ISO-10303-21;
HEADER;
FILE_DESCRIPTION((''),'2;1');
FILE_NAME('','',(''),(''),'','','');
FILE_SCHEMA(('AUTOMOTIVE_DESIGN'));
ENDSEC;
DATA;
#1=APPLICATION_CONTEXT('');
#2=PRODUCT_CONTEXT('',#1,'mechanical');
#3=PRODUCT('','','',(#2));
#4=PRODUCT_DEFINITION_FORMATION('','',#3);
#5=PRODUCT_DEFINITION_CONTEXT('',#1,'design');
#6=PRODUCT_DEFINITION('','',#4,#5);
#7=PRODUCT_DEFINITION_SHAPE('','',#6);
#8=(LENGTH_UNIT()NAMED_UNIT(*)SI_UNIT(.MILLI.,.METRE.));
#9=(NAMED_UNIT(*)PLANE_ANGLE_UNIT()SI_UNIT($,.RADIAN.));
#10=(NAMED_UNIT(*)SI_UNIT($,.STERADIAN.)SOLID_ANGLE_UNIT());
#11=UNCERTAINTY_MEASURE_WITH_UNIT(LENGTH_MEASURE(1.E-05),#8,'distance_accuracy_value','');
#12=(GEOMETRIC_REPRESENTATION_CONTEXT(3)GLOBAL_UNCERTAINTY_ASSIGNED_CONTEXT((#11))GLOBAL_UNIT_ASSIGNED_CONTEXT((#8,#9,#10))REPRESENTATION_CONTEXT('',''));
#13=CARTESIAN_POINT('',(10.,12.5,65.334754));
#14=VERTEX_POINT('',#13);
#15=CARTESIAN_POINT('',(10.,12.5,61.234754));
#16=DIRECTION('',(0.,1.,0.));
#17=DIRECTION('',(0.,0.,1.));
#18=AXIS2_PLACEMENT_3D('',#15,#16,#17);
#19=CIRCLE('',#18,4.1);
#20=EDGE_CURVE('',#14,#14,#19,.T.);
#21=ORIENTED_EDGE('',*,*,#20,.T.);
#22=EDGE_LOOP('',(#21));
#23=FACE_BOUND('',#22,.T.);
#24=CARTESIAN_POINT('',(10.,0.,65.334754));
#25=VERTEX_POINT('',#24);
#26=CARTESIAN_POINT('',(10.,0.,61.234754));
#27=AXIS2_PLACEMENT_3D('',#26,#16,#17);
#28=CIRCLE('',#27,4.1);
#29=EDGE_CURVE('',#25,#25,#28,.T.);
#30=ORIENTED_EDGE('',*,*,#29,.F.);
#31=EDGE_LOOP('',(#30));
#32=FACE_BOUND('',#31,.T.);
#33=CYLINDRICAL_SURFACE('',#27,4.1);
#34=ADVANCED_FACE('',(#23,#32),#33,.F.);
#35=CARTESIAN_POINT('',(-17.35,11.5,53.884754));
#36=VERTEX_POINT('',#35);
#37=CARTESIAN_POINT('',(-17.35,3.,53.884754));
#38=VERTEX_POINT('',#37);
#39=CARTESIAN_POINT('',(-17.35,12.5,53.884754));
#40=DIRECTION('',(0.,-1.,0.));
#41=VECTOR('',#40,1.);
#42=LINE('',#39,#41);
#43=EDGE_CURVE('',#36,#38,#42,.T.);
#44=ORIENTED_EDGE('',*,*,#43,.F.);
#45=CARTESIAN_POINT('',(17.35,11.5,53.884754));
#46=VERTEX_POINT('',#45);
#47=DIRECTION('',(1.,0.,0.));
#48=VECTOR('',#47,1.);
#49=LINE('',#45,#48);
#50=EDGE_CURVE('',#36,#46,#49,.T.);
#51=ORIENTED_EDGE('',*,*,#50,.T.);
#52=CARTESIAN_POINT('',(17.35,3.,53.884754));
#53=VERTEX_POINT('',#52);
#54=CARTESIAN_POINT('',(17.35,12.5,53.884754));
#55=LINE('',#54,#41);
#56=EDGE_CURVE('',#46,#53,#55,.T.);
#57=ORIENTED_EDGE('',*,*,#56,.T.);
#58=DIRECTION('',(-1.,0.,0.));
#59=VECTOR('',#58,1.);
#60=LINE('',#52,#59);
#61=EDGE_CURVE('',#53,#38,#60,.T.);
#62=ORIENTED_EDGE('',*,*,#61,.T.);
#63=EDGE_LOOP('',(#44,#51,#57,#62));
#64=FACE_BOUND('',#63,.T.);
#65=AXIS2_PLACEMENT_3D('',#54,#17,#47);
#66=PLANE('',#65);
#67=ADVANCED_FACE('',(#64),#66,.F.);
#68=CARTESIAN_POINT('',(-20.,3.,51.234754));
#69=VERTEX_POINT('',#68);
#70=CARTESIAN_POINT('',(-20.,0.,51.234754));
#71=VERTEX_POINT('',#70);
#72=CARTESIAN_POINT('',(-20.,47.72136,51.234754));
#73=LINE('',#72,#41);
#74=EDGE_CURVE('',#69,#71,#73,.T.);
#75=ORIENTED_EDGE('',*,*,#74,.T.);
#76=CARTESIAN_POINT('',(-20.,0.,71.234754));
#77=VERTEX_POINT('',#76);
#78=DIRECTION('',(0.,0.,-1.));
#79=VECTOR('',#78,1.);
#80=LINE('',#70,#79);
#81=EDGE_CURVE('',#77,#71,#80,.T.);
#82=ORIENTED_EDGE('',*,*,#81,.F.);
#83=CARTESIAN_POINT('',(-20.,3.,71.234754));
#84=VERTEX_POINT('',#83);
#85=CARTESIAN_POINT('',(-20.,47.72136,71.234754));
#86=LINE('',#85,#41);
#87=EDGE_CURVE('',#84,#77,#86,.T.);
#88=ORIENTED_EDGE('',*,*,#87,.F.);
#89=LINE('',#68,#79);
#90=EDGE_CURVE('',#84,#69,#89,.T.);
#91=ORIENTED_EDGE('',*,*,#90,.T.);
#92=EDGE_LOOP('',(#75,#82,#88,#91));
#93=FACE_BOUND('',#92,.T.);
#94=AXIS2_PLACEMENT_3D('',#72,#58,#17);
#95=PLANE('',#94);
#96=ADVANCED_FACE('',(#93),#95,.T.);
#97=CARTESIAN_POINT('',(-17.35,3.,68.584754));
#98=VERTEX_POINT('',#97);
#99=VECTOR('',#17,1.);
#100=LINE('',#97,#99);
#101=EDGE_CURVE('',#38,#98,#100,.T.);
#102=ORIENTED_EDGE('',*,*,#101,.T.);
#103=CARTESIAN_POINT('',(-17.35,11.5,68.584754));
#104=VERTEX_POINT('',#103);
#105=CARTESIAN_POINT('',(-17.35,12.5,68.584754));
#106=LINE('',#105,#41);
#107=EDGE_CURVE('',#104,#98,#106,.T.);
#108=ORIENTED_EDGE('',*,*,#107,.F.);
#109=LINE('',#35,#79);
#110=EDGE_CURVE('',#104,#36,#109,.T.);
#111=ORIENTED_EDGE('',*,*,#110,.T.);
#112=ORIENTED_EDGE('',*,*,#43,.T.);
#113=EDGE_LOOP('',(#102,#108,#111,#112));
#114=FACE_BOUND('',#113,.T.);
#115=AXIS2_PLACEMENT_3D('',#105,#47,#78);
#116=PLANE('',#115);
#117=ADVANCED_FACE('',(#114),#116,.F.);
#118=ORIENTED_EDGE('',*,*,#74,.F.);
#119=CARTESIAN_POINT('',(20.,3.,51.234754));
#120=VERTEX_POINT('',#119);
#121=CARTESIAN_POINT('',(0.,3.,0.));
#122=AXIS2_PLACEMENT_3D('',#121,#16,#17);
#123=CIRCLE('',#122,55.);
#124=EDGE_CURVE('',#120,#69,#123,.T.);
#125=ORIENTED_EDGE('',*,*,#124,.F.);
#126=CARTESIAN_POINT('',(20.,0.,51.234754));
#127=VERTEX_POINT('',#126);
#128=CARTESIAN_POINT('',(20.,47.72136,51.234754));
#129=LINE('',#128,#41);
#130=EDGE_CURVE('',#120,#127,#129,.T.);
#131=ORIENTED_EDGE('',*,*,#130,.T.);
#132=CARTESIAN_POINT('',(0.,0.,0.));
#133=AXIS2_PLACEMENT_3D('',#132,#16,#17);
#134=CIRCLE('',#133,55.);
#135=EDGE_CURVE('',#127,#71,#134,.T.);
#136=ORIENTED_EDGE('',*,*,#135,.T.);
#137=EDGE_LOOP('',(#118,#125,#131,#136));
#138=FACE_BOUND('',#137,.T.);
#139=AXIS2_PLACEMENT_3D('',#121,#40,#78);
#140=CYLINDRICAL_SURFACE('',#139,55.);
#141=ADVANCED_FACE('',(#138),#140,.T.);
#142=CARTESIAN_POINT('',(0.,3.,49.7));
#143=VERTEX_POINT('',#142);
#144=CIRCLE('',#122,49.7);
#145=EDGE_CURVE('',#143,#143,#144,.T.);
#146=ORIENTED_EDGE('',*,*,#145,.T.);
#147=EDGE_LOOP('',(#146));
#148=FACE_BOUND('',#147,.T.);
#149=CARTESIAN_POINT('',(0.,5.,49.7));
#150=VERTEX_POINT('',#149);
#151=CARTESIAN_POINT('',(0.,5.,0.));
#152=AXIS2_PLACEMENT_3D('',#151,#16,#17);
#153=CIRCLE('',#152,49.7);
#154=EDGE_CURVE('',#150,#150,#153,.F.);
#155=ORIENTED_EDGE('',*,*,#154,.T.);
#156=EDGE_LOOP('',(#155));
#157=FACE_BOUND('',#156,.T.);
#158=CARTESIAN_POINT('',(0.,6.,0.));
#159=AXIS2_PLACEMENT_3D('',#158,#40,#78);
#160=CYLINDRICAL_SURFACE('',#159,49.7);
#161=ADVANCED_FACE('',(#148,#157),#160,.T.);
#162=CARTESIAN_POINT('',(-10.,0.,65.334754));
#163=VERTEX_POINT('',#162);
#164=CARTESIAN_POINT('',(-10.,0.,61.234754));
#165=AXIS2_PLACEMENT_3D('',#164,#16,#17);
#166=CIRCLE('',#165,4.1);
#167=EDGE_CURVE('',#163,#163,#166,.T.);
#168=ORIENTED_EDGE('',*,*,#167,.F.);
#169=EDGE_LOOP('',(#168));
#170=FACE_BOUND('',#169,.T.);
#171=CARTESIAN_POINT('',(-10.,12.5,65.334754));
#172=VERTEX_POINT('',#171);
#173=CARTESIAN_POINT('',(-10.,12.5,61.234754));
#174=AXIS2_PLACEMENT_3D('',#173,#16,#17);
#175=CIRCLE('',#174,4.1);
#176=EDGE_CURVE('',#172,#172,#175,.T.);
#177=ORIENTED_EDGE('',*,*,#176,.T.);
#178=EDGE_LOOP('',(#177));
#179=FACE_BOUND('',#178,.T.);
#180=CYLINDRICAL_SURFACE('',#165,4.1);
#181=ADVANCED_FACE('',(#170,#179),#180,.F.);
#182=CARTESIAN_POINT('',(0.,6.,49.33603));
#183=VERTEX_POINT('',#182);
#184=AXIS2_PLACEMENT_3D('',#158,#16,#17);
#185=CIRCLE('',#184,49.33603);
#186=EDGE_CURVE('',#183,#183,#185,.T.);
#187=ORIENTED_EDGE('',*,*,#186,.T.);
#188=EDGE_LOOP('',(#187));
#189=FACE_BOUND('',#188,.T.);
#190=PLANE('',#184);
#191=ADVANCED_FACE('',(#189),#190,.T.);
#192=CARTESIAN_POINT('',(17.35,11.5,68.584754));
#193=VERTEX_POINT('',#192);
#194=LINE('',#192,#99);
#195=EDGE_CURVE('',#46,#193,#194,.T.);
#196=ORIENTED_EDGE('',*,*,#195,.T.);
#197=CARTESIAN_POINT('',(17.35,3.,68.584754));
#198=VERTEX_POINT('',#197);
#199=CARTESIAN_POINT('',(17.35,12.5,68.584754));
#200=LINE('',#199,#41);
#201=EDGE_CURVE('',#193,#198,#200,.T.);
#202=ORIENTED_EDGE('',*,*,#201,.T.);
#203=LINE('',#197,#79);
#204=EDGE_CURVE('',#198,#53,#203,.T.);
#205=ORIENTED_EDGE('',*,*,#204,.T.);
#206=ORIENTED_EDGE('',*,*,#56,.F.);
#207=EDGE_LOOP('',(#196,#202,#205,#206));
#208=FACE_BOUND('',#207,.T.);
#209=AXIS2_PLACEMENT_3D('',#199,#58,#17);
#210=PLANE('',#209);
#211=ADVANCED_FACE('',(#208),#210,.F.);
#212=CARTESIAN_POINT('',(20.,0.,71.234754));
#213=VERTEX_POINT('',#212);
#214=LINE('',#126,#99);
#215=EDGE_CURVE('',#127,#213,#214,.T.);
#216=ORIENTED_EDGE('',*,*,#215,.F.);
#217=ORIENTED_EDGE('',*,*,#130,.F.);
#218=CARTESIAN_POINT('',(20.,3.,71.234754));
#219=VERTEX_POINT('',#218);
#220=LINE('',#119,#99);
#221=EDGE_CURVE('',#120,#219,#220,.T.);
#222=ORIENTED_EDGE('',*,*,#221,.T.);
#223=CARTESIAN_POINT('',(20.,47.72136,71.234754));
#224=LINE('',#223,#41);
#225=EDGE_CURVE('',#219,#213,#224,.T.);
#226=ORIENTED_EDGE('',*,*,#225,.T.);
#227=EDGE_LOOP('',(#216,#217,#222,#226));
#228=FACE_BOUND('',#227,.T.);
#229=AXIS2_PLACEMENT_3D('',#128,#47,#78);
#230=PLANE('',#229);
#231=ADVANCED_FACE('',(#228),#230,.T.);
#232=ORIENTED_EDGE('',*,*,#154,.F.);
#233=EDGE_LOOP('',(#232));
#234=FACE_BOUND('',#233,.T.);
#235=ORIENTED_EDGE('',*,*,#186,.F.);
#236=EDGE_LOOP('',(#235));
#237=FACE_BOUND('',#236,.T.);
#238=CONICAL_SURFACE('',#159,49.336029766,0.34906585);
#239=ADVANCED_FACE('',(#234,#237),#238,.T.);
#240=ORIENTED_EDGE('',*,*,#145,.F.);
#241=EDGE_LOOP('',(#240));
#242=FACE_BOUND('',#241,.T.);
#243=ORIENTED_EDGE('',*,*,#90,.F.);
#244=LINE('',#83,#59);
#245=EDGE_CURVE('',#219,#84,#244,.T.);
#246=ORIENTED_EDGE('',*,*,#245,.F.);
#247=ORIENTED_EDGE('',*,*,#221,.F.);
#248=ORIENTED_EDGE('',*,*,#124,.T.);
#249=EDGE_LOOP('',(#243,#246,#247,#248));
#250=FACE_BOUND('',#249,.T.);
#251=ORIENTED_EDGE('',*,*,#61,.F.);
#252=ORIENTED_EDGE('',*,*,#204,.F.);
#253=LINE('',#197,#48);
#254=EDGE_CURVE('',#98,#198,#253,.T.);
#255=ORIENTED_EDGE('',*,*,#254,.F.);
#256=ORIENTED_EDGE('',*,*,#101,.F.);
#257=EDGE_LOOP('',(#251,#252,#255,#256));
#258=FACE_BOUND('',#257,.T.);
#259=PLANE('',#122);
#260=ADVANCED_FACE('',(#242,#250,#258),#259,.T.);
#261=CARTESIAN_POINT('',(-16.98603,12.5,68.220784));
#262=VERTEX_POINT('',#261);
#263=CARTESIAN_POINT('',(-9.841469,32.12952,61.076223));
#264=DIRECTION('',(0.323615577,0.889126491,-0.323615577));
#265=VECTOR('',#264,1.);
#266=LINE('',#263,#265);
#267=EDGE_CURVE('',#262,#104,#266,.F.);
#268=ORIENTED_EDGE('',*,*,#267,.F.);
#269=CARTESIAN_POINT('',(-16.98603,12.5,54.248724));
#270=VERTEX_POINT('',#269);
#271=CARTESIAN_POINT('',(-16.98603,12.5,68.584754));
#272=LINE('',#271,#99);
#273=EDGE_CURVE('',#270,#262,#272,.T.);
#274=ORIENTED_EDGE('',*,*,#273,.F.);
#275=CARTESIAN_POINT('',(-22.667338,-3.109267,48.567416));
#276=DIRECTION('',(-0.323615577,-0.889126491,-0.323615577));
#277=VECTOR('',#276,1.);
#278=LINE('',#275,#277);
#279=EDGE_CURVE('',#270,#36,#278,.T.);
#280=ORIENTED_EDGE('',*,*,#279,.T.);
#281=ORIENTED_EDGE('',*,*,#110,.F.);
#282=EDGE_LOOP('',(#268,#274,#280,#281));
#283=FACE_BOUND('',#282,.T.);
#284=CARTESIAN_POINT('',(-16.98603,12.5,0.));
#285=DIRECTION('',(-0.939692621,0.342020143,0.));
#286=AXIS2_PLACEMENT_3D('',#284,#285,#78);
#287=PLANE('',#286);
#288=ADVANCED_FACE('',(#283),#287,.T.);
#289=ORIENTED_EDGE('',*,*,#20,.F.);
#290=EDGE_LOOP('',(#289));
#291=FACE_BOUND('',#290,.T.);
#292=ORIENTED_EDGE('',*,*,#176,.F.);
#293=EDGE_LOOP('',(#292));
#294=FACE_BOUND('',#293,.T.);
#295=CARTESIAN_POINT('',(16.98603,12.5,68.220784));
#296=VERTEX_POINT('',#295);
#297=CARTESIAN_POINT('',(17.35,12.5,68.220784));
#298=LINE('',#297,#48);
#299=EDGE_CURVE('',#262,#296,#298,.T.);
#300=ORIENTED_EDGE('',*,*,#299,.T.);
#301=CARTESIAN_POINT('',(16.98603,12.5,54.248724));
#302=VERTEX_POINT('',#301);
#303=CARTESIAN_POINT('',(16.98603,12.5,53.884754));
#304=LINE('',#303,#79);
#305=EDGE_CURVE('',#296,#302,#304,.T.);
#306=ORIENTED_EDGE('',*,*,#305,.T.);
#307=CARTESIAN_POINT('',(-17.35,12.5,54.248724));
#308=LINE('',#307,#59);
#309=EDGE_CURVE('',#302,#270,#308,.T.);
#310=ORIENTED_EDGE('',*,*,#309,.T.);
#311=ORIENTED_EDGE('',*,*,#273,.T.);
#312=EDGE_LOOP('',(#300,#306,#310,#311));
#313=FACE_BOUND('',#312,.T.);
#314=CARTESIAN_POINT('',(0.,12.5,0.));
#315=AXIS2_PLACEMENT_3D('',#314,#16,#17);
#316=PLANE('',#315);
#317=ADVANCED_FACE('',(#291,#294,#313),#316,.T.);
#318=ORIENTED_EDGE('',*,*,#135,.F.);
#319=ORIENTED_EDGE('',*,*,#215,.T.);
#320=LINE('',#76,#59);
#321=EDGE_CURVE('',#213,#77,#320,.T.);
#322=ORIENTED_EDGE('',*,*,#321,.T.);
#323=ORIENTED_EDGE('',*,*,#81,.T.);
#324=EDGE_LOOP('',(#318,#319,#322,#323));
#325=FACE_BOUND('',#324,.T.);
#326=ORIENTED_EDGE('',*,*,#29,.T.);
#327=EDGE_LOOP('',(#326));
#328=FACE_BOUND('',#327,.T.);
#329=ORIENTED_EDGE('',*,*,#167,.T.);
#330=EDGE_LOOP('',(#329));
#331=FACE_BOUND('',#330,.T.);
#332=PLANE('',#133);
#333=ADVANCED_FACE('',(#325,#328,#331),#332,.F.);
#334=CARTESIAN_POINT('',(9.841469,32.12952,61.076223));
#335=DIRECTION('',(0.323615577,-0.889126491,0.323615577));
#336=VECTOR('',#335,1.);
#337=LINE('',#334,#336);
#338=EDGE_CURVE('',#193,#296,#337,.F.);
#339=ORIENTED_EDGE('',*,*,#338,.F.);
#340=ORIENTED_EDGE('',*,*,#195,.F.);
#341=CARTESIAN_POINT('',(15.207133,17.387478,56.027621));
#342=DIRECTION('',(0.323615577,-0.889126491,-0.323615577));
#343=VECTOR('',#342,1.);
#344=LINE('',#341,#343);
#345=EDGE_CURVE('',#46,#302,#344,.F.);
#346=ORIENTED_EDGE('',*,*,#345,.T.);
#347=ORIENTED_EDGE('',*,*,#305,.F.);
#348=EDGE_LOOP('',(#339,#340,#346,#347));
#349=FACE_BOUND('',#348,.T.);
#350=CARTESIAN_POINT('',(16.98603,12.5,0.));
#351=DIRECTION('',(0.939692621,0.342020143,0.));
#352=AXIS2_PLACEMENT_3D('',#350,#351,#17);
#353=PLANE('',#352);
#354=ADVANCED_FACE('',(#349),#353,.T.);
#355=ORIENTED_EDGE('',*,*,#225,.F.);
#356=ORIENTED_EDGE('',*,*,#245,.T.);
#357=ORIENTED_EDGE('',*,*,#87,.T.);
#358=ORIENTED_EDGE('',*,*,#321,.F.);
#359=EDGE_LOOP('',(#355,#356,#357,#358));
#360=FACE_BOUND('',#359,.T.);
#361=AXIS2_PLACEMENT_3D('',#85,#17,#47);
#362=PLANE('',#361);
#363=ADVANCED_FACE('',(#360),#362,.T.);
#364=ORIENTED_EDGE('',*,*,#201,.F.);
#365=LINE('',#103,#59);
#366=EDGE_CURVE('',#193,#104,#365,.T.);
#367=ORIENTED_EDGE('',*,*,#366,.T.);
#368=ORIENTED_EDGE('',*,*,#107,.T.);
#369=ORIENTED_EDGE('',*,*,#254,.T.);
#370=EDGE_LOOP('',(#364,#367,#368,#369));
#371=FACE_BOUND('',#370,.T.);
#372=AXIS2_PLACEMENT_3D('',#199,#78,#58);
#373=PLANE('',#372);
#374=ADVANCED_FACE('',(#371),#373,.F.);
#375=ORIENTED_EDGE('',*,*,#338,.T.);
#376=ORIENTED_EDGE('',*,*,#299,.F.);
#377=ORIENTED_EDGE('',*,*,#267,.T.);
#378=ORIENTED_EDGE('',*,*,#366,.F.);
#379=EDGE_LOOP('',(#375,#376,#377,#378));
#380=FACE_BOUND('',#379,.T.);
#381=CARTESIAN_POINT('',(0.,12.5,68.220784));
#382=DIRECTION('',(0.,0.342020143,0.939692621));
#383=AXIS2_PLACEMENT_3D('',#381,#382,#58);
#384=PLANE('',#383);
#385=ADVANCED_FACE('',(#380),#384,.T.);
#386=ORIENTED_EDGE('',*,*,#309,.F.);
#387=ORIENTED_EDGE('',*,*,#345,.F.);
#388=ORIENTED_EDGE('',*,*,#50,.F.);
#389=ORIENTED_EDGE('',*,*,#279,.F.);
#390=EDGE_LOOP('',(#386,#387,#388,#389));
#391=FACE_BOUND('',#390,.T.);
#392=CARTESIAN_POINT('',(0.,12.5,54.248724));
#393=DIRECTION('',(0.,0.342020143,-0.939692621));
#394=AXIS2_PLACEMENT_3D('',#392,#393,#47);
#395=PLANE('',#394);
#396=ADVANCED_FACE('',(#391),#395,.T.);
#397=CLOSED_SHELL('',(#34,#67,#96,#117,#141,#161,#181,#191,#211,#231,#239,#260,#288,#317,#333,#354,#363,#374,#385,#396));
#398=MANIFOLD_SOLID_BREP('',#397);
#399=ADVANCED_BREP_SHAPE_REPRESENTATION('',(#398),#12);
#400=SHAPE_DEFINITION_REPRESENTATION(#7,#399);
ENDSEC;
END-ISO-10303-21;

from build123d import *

# Parameters (mm, degrees)
SKETCH1_R             = 55
BOSS_EXTRUDE1_DEPTH   = 3
SKETCH9_W             = 40
SKETCH9_H             = 20
BOSS_EXTRUDE4_DEPTH   = 3
SKETCH11_R            = 4.1
CUT_EXTRUDE6_DEPTH    = 4
SKETCH15_R            = 49.7
BOSS_EXTRUDE6_DEPTH   = 3
CHAMFER2_SIZE         = 1
CHAMFER2_SIZE2        = 0.363970234
SKETCH16_W            = 34.7
SKETCH16_H            = 14.7
SKETCH16_R            = 4.1
BOSS_EXTRUDE7_DEPTH   = 9.5
CHAMFER3_SIZE         = 1
CHAMFER3_SIZE2        = 0.363970234
CHAMFER3_PART_2_SIZE  = 1
CHAMFER3_PART_2_SIZE2 = 0.363970234
CHAMFER3_PART_3_SIZE  = 1
CHAMFER3_PART_3_SIZE2 = 0.363970234
CHAMFER3_PART_4_SIZE  = 1
CHAMFER3_PART_4_SIZE2 = 0.363970234


with BuildPart() as part:
    # Sketch1 → Boss-Extrude1 (new body)
    with BuildSketch(Plane(origin=(0, 0, 0), x_dir=(1, 0, 0), z_dir=(0, 1, 0))):
        with Locations(Location((0, 0, 0), (0, 0, 270))):  # turned: the seam where the file's is
            Circle(SKETCH1_R)
    extrude(amount=BOSS_EXTRUDE1_DEPTH)

    # Sketch9 → Boss-Extrude4 (add)
    with BuildSketch(Plane.XZ):
        with Locations((0, 61.23475383)):
            Rectangle(SKETCH9_W, SKETCH9_H)
    extrude(amount=-BOSS_EXTRUDE4_DEPTH)

    # Sketch11 → Cut-Extrude6 (cut, through all)
    with BuildSketch(Plane(origin=(0, 3, 0), x_dir=(1, 0, 0), z_dir=(0, 1, 0))):
        with Locations(Location((-10, -61.23475383, 0), (0, 0, 270))):  # turned: the seam where the file's is
            Circle(SKETCH11_R)
        with Locations(Location((10, -61.23475383, 0), (0, 0, 270))):  # turned: the seam where the file's is
            Circle(SKETCH11_R)
    extrude(amount=-CUT_EXTRUDE6_DEPTH, mode=Mode.SUBTRACT)

    # Sketch15 → Boss-Extrude6 (add)
    with BuildSketch(Plane(origin=(0, 3, 0), x_dir=(1, 0, 0), z_dir=(0, 1, 0))):
        with Locations(Location((0, 0, 0), (0, 0, 270))):  # turned: the seam where the file's is
            Circle(SKETCH15_R)
    extrude(amount=BOSS_EXTRUDE6_DEPTH)

    # Chamfer2
    chamfer2_edges = [part.edges().sort_by_distance(p)[0] for p in [
        (0, 6, -49.7),
    ]]
    chamfer2_side = [part.faces().sort_by_distance(p)[0] for p in [
        (0, 4.5, -49.7),
    ]]
    chamfer(chamfer2_edges, length=CHAMFER2_SIZE, length2=CHAMFER2_SIZE2, reference=chamfer2_side[0])

    # Sketch16 → Boss-Extrude7 (add)
    with BuildSketch(Plane(origin=(0, 3, 0), x_dir=(1, 0, 0), z_dir=(0, 1, 0))):
        with Locations((0, -61.23475383)):
            Rectangle(SKETCH16_W, SKETCH16_H)
        with Locations(Location((-10, -61.23475383, 0), (0, 0, 270))):  # turned: the seam where the file's is
            Circle(SKETCH16_R, mode=Mode.SUBTRACT)
        with Locations(Location((10, -61.23475383, 0), (0, 0, 270))):  # turned: the seam where the file's is
            Circle(SKETCH16_R, mode=Mode.SUBTRACT)
    extrude(amount=BOSS_EXTRUDE7_DEPTH)

    # Chamfer3
    chamfer3_edges = [part.edges().sort_by_distance(p)[0] for p in [
        (-17.35, 12.5, 61.23475383),
    ]]
    chamfer3_side = [part.faces().sort_by_distance(p)[0] for p in [
        (-17.35, 7.75, 61.23475383),
    ]]
    chamfer(chamfer3_edges, length=CHAMFER3_SIZE, length2=CHAMFER3_SIZE2, reference=chamfer3_side[0])

    # Chamfer3 part 2
    chamfer3_part_2_edges = [part.edges().sort_by_distance(p)[0] for p in [
        (0, 12.5, 68.58475383),
    ]]
    chamfer3_part_2_side = [part.faces().sort_by_distance(p)[0] for p in [
        (0, 7.75, 68.58475383),
    ]]
    chamfer(chamfer3_part_2_edges, length=CHAMFER3_PART_2_SIZE, length2=CHAMFER3_PART_2_SIZE2, reference=chamfer3_part_2_side[0])

    # Chamfer3 part 3
    chamfer3_part_3_edges = [part.edges().sort_by_distance(p)[0] for p in [
        (17.35, 12.5, 61.23475383),
    ]]
    chamfer3_part_3_side = [part.faces().sort_by_distance(p)[0] for p in [
        (17.35, 7.75, 61.23475383),
    ]]
    chamfer(chamfer3_part_3_edges, length=CHAMFER3_PART_3_SIZE, length2=CHAMFER3_PART_3_SIZE2, reference=chamfer3_part_3_side[0])

    # Chamfer3 part 4
    chamfer3_part_4_edges = [part.edges().sort_by_distance(p)[0] for p in [
        (0, 12.5, 53.88475383),
    ]]
    chamfer3_part_4_side = [part.faces().sort_by_distance(p)[0] for p in [
        (0, 7.75, 53.88475383),
    ]]
    chamfer(chamfer3_part_4_edges, length=CHAMFER3_PART_4_SIZE, length2=CHAMFER3_PART_4_SIZE2, reference=chamfer3_part_4_side[0])


solid = part.part
